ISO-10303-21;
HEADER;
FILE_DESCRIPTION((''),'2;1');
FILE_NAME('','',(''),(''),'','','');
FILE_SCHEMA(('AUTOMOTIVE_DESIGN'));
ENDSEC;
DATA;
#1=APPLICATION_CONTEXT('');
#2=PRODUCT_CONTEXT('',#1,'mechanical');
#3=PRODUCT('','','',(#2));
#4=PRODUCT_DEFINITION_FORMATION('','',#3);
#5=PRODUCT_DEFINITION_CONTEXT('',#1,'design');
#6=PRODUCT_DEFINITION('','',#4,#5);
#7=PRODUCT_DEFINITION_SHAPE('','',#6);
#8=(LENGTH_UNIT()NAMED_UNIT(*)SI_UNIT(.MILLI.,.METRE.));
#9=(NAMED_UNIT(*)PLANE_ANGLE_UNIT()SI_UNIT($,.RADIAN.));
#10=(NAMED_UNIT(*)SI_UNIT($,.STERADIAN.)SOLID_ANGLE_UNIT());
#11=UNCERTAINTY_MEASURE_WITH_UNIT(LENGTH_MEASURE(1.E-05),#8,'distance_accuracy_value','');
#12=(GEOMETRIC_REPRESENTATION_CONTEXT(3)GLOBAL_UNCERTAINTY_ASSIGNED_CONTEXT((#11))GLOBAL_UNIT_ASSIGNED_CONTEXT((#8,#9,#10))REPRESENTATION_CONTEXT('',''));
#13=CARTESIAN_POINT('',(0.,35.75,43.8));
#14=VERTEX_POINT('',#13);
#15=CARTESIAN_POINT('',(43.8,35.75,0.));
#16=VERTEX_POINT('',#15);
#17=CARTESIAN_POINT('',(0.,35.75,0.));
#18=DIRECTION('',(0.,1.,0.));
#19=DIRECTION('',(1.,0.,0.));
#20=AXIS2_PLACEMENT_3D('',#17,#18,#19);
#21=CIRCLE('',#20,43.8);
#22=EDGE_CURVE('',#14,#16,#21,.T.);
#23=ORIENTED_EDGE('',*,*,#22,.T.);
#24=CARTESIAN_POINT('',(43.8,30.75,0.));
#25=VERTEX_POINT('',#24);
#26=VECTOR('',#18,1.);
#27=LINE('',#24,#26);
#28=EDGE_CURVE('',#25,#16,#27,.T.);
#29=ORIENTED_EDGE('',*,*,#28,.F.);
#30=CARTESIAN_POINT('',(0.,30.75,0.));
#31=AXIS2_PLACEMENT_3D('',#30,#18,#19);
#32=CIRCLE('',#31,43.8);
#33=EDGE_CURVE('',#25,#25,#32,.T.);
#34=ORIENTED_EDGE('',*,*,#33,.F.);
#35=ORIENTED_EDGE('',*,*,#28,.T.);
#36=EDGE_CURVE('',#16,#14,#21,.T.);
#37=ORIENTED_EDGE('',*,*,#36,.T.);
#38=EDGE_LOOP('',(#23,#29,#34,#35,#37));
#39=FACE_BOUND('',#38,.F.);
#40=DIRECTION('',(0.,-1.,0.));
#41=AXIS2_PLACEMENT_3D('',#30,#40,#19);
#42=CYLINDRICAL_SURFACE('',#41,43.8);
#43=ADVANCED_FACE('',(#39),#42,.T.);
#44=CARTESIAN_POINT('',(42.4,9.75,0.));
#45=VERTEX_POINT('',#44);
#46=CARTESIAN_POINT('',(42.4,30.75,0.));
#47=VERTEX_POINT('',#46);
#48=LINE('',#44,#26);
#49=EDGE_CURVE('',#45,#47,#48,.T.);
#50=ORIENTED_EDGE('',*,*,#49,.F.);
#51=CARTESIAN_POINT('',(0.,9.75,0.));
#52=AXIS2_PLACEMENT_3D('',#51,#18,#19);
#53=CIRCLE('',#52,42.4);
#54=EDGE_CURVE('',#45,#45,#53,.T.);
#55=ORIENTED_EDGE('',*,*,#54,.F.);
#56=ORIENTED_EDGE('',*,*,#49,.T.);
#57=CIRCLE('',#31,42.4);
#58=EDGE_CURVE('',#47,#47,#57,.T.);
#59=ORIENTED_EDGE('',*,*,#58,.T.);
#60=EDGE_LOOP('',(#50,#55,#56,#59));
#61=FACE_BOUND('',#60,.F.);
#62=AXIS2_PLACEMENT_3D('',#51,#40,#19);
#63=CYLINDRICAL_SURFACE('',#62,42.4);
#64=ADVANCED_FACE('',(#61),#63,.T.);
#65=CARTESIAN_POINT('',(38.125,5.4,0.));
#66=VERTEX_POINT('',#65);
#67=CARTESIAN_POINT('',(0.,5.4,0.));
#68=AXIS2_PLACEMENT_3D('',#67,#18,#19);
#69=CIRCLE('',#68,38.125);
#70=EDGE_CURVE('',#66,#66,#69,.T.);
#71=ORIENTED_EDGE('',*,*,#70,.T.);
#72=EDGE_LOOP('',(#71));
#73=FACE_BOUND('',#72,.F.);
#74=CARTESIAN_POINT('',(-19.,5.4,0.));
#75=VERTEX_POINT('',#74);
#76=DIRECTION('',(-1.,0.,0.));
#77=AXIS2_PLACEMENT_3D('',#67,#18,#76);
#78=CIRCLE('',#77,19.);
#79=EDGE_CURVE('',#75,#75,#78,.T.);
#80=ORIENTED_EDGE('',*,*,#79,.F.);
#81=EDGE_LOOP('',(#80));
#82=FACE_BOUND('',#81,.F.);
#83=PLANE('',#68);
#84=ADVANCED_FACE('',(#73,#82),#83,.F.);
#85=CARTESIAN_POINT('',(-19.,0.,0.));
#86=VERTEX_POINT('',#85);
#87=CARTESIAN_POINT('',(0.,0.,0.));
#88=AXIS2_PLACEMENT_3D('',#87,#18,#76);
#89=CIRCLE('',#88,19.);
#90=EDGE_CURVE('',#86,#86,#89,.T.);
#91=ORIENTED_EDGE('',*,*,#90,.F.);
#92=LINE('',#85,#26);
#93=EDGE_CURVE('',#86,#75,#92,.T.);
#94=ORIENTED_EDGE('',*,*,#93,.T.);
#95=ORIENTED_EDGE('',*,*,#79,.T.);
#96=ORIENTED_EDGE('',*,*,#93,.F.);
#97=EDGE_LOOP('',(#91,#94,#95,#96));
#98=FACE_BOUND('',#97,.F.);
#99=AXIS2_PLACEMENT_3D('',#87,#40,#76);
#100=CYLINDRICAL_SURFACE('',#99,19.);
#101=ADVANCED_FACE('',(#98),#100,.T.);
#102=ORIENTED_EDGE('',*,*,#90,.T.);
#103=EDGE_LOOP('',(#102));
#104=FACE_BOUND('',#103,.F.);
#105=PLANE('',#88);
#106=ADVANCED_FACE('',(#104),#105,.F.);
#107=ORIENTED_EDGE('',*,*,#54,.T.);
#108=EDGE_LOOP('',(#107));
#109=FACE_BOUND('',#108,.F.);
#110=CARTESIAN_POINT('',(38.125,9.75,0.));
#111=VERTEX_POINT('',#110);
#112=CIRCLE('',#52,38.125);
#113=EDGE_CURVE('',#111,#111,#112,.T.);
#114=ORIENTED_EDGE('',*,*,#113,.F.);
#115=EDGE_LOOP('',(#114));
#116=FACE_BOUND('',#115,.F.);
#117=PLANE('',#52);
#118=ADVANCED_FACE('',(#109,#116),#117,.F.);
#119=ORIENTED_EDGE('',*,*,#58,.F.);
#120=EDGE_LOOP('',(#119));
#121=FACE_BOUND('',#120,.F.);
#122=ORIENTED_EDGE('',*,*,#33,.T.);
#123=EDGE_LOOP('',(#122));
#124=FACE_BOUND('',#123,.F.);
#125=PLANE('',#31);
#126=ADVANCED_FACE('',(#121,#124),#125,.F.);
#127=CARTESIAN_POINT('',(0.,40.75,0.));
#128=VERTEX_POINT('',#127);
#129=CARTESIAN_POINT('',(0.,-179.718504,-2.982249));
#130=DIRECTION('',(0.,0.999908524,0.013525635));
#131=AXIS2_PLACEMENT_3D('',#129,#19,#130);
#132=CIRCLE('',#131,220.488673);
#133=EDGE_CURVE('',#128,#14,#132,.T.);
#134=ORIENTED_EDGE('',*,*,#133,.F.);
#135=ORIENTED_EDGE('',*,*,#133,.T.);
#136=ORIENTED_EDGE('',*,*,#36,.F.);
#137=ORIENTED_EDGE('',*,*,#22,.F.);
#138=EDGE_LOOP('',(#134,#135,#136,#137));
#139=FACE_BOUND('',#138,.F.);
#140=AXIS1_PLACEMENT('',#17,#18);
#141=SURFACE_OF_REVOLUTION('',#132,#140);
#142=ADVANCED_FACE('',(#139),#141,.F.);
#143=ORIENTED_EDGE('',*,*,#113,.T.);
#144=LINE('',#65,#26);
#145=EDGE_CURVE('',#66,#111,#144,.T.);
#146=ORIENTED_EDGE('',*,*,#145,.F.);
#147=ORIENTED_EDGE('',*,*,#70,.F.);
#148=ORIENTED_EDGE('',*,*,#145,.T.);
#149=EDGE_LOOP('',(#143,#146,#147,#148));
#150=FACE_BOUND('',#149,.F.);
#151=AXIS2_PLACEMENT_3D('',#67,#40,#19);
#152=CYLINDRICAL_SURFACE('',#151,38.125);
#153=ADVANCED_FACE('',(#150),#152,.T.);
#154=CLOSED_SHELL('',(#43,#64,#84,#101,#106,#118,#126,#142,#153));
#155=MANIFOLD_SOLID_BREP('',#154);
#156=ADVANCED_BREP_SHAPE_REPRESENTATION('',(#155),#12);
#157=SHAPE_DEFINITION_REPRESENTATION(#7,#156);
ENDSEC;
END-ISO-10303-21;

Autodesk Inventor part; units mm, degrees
ref_plane "YZ Plane" through (0, 0, 0) normal (1, 0, 0) x (0, 1, 0)
ref_plane "XZ Plane" through (0, 0, 0) normal (0, 1, 0) x (-1, 0, 0)
ref_plane "XY Plane" through (0, 0, 0) normal (0, 0, 1) x (1, 0, 0)
sketch "Sketch1" plane through (0, 0, 0) normal (0, 1, 0) x (-1, 0, 0)
  circle A0 centre (0, 0) radius 19
  dimension "d0" = 38
extrude "Extrusion1" add sketch "Sketch1" along normal blind 5.4
sketch "Sketch2" plane through (0, 5.4, 0) normal (0, 1, 0) x (1, 0, 0)
  circle A0 centre (0, 0) radius 38.125
  dimension "d3" = 76.25
extrude "Extrusion2" add sketch "Sketch2" along normal blind 4.35
sketch "Sketch3" plane through (0, 9.75, 0) normal (0, 1, 0) x (1, 0, 0)
  circle A0 centre (0, 0) radius 42.4
  dimension "d6" = 84.8
extrude "Extrusion3" add sketch "Sketch3" along normal blind 21
sketch "Sketch4" plane through (0, 30.75, 0) normal (0, 1, 0) x (1, 0, 0)
  circle A0 centre (0, 0) radius 43.8
  dimension "d9" = 87.6
extrude "Extrusion4" add sketch "Sketch4" along normal blind 5
sketch "Sketch5" plane through (0, 0, 0) normal (1, 0, 0) x (0, 1, 0)
  line L0 (35.75, -43.8) -> (35.75, 43.8) projected
  line L1 (35.75, -43.8) -> (35.75, 43.8) projected
  line L2 (30.75, -43.8) -> (30.75, 43.8)
  line L3 (35.75, 0) -> (40.75, 0)
  arc A0 (40.75, 0) -> (35.75, 43.8) centre (-179.7193, -2.9823) ccw
  line L4 (35.75, 0) -> (35.75, 43.8)
  point P0 (0, 0)
  dimension "d12" = 5
revolve "Revolution1" add sketch "Sketch5" angle 360 about axis through (0, 35.75, 0) along (0, 1, 0)
properties part number "DUST FILTER"
